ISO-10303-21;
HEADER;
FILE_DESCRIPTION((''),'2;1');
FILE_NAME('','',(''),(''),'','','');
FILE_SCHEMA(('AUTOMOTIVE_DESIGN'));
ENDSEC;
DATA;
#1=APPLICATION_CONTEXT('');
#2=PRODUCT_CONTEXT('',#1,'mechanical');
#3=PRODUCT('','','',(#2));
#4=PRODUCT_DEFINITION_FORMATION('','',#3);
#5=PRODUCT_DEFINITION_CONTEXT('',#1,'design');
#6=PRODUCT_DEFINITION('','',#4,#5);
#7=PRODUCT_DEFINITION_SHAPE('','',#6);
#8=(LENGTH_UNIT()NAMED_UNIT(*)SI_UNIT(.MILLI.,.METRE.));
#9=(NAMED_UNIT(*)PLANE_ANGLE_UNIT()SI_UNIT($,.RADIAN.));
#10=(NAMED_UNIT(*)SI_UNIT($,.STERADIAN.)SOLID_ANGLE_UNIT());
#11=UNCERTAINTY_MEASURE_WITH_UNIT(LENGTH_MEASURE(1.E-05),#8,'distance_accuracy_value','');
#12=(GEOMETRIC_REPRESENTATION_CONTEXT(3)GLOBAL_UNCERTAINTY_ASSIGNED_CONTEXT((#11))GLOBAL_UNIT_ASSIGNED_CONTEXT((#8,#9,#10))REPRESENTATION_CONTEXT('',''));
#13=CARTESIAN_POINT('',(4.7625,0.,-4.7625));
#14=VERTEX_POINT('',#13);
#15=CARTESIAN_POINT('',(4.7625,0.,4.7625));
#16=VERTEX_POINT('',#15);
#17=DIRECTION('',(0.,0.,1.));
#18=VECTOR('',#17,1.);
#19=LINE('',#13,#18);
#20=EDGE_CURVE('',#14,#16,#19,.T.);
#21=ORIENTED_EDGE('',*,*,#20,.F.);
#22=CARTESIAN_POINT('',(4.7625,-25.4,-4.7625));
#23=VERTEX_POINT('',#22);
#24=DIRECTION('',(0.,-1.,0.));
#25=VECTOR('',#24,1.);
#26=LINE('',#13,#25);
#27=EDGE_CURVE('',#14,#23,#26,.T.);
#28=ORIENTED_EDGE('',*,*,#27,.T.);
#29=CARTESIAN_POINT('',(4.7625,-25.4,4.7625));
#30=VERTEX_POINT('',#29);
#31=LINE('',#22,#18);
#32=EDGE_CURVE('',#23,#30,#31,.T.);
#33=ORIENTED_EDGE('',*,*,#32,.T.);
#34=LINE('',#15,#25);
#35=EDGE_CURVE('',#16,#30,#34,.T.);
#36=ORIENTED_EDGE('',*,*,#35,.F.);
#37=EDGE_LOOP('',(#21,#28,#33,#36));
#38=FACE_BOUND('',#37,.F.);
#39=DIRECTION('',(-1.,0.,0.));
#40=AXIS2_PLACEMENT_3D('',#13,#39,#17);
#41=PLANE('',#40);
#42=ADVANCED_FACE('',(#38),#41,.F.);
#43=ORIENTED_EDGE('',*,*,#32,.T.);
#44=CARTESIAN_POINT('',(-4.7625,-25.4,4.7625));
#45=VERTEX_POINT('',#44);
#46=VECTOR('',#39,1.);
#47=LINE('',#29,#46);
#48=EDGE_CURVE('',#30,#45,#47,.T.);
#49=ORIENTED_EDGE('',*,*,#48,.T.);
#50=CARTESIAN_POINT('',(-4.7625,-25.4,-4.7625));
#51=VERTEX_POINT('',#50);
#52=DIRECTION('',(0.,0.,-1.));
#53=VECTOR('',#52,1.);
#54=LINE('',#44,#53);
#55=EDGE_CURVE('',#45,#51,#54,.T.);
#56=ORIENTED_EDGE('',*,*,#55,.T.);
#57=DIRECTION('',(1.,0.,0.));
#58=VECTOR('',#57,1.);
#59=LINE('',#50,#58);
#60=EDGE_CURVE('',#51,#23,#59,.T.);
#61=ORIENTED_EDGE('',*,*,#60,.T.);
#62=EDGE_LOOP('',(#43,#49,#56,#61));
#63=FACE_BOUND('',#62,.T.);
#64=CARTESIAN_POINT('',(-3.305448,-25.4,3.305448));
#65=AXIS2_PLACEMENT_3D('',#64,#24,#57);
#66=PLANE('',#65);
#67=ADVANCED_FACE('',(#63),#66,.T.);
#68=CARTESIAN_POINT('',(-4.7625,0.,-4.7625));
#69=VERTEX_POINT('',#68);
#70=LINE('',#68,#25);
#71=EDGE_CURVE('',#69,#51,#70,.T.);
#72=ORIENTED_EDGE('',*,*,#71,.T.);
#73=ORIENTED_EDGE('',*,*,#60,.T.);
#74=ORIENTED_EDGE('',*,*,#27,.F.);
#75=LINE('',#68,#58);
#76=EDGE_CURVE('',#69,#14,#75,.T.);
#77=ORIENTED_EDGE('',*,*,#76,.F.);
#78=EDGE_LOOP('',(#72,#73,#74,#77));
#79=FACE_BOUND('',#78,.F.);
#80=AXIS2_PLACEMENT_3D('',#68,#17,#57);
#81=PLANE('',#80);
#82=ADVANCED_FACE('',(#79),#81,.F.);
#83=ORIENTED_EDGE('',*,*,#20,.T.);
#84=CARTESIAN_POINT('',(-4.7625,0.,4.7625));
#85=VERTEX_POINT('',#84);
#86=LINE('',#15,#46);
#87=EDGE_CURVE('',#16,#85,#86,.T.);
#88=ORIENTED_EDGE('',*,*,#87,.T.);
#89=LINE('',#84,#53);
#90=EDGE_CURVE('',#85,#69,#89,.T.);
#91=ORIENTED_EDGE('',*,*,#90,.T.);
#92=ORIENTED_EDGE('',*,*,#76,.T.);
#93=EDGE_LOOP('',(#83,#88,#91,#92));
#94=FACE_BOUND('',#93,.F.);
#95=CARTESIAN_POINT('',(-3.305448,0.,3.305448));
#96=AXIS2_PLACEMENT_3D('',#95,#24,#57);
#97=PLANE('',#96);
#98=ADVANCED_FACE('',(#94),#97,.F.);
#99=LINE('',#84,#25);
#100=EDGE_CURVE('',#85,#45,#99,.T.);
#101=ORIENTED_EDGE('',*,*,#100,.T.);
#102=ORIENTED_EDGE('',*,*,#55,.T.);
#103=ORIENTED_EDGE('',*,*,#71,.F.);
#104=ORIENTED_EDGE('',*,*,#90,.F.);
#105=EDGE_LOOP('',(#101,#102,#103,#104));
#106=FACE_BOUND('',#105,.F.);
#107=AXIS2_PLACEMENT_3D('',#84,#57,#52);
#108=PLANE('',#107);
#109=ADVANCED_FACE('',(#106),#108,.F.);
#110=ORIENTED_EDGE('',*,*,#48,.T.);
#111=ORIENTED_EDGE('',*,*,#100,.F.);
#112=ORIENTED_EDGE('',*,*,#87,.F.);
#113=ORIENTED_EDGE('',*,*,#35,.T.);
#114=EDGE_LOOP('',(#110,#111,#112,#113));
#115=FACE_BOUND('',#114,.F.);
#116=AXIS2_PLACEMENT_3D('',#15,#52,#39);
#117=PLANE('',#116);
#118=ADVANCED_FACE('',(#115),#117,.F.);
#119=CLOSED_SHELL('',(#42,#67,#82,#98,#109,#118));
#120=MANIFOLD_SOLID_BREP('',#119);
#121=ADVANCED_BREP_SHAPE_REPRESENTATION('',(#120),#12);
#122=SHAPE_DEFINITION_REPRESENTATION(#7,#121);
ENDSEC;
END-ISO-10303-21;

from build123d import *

# Parameters (mm, degrees)
F1_DEPTH = 25.4


with BuildPart() as f1:
    # F0 (on Front) → F1 (new body)
    with BuildSketch(Plane.XZ):
        with BuildLine():
            Line((0, 4.7625), (-4.7625, 4.7625))
            Line((-4.7625, 4.7625), (-4.7625, 0))
            ThreePointArc((-4.7625, 0), (-3.3675960454, 3.3675960454), (0, 4.7625))
        make_face()
        with BuildLine():
            Line((4.7625, 4.7625), (0, 4.7625))
            ThreePointArc((0, 4.7625), (3.3675960454, 3.3675960454), (4.7625, 0))
            Line((4.7625, 0), (4.7625, 4.7625))
        make_face()
        with BuildLine():
            ThreePointArc((4.7625, 0), (3.3675960454, 3.3675960454), (0, 4.7625))
            ThreePointArc((0, 4.7625), (-3.3675960454, 3.3675960454), (-4.7625, 0))
            ThreePointArc((-4.7625, 0), (-3.3675960454, -3.3675960454), (0, -4.7625))
            ThreePointArc((0, -4.7625), (3.3675960454, -3.3675960454), (4.7625, 0))
        make_face()
        with BuildLine():
            ThreePointArc((0, -4.7625), (-3.3675960454, -3.3675960454), (-4.7625, 0))
            Line((-4.7625, 0), (-4.7625, -4.7625))
            Line((-4.7625, -4.7625), (0, -4.7625))
        make_face()
        with BuildLine():
            Line((4.7625, -4.7625), (4.7625, 0))
            ThreePointArc((4.7625, 0), (3.3675960454, -3.3675960454), (0, -4.7625))
            Line((0, -4.7625), (4.7625, -4.7625))
        make_face()
    extrude(amount=F1_DEPTH)


solid = f1.part
